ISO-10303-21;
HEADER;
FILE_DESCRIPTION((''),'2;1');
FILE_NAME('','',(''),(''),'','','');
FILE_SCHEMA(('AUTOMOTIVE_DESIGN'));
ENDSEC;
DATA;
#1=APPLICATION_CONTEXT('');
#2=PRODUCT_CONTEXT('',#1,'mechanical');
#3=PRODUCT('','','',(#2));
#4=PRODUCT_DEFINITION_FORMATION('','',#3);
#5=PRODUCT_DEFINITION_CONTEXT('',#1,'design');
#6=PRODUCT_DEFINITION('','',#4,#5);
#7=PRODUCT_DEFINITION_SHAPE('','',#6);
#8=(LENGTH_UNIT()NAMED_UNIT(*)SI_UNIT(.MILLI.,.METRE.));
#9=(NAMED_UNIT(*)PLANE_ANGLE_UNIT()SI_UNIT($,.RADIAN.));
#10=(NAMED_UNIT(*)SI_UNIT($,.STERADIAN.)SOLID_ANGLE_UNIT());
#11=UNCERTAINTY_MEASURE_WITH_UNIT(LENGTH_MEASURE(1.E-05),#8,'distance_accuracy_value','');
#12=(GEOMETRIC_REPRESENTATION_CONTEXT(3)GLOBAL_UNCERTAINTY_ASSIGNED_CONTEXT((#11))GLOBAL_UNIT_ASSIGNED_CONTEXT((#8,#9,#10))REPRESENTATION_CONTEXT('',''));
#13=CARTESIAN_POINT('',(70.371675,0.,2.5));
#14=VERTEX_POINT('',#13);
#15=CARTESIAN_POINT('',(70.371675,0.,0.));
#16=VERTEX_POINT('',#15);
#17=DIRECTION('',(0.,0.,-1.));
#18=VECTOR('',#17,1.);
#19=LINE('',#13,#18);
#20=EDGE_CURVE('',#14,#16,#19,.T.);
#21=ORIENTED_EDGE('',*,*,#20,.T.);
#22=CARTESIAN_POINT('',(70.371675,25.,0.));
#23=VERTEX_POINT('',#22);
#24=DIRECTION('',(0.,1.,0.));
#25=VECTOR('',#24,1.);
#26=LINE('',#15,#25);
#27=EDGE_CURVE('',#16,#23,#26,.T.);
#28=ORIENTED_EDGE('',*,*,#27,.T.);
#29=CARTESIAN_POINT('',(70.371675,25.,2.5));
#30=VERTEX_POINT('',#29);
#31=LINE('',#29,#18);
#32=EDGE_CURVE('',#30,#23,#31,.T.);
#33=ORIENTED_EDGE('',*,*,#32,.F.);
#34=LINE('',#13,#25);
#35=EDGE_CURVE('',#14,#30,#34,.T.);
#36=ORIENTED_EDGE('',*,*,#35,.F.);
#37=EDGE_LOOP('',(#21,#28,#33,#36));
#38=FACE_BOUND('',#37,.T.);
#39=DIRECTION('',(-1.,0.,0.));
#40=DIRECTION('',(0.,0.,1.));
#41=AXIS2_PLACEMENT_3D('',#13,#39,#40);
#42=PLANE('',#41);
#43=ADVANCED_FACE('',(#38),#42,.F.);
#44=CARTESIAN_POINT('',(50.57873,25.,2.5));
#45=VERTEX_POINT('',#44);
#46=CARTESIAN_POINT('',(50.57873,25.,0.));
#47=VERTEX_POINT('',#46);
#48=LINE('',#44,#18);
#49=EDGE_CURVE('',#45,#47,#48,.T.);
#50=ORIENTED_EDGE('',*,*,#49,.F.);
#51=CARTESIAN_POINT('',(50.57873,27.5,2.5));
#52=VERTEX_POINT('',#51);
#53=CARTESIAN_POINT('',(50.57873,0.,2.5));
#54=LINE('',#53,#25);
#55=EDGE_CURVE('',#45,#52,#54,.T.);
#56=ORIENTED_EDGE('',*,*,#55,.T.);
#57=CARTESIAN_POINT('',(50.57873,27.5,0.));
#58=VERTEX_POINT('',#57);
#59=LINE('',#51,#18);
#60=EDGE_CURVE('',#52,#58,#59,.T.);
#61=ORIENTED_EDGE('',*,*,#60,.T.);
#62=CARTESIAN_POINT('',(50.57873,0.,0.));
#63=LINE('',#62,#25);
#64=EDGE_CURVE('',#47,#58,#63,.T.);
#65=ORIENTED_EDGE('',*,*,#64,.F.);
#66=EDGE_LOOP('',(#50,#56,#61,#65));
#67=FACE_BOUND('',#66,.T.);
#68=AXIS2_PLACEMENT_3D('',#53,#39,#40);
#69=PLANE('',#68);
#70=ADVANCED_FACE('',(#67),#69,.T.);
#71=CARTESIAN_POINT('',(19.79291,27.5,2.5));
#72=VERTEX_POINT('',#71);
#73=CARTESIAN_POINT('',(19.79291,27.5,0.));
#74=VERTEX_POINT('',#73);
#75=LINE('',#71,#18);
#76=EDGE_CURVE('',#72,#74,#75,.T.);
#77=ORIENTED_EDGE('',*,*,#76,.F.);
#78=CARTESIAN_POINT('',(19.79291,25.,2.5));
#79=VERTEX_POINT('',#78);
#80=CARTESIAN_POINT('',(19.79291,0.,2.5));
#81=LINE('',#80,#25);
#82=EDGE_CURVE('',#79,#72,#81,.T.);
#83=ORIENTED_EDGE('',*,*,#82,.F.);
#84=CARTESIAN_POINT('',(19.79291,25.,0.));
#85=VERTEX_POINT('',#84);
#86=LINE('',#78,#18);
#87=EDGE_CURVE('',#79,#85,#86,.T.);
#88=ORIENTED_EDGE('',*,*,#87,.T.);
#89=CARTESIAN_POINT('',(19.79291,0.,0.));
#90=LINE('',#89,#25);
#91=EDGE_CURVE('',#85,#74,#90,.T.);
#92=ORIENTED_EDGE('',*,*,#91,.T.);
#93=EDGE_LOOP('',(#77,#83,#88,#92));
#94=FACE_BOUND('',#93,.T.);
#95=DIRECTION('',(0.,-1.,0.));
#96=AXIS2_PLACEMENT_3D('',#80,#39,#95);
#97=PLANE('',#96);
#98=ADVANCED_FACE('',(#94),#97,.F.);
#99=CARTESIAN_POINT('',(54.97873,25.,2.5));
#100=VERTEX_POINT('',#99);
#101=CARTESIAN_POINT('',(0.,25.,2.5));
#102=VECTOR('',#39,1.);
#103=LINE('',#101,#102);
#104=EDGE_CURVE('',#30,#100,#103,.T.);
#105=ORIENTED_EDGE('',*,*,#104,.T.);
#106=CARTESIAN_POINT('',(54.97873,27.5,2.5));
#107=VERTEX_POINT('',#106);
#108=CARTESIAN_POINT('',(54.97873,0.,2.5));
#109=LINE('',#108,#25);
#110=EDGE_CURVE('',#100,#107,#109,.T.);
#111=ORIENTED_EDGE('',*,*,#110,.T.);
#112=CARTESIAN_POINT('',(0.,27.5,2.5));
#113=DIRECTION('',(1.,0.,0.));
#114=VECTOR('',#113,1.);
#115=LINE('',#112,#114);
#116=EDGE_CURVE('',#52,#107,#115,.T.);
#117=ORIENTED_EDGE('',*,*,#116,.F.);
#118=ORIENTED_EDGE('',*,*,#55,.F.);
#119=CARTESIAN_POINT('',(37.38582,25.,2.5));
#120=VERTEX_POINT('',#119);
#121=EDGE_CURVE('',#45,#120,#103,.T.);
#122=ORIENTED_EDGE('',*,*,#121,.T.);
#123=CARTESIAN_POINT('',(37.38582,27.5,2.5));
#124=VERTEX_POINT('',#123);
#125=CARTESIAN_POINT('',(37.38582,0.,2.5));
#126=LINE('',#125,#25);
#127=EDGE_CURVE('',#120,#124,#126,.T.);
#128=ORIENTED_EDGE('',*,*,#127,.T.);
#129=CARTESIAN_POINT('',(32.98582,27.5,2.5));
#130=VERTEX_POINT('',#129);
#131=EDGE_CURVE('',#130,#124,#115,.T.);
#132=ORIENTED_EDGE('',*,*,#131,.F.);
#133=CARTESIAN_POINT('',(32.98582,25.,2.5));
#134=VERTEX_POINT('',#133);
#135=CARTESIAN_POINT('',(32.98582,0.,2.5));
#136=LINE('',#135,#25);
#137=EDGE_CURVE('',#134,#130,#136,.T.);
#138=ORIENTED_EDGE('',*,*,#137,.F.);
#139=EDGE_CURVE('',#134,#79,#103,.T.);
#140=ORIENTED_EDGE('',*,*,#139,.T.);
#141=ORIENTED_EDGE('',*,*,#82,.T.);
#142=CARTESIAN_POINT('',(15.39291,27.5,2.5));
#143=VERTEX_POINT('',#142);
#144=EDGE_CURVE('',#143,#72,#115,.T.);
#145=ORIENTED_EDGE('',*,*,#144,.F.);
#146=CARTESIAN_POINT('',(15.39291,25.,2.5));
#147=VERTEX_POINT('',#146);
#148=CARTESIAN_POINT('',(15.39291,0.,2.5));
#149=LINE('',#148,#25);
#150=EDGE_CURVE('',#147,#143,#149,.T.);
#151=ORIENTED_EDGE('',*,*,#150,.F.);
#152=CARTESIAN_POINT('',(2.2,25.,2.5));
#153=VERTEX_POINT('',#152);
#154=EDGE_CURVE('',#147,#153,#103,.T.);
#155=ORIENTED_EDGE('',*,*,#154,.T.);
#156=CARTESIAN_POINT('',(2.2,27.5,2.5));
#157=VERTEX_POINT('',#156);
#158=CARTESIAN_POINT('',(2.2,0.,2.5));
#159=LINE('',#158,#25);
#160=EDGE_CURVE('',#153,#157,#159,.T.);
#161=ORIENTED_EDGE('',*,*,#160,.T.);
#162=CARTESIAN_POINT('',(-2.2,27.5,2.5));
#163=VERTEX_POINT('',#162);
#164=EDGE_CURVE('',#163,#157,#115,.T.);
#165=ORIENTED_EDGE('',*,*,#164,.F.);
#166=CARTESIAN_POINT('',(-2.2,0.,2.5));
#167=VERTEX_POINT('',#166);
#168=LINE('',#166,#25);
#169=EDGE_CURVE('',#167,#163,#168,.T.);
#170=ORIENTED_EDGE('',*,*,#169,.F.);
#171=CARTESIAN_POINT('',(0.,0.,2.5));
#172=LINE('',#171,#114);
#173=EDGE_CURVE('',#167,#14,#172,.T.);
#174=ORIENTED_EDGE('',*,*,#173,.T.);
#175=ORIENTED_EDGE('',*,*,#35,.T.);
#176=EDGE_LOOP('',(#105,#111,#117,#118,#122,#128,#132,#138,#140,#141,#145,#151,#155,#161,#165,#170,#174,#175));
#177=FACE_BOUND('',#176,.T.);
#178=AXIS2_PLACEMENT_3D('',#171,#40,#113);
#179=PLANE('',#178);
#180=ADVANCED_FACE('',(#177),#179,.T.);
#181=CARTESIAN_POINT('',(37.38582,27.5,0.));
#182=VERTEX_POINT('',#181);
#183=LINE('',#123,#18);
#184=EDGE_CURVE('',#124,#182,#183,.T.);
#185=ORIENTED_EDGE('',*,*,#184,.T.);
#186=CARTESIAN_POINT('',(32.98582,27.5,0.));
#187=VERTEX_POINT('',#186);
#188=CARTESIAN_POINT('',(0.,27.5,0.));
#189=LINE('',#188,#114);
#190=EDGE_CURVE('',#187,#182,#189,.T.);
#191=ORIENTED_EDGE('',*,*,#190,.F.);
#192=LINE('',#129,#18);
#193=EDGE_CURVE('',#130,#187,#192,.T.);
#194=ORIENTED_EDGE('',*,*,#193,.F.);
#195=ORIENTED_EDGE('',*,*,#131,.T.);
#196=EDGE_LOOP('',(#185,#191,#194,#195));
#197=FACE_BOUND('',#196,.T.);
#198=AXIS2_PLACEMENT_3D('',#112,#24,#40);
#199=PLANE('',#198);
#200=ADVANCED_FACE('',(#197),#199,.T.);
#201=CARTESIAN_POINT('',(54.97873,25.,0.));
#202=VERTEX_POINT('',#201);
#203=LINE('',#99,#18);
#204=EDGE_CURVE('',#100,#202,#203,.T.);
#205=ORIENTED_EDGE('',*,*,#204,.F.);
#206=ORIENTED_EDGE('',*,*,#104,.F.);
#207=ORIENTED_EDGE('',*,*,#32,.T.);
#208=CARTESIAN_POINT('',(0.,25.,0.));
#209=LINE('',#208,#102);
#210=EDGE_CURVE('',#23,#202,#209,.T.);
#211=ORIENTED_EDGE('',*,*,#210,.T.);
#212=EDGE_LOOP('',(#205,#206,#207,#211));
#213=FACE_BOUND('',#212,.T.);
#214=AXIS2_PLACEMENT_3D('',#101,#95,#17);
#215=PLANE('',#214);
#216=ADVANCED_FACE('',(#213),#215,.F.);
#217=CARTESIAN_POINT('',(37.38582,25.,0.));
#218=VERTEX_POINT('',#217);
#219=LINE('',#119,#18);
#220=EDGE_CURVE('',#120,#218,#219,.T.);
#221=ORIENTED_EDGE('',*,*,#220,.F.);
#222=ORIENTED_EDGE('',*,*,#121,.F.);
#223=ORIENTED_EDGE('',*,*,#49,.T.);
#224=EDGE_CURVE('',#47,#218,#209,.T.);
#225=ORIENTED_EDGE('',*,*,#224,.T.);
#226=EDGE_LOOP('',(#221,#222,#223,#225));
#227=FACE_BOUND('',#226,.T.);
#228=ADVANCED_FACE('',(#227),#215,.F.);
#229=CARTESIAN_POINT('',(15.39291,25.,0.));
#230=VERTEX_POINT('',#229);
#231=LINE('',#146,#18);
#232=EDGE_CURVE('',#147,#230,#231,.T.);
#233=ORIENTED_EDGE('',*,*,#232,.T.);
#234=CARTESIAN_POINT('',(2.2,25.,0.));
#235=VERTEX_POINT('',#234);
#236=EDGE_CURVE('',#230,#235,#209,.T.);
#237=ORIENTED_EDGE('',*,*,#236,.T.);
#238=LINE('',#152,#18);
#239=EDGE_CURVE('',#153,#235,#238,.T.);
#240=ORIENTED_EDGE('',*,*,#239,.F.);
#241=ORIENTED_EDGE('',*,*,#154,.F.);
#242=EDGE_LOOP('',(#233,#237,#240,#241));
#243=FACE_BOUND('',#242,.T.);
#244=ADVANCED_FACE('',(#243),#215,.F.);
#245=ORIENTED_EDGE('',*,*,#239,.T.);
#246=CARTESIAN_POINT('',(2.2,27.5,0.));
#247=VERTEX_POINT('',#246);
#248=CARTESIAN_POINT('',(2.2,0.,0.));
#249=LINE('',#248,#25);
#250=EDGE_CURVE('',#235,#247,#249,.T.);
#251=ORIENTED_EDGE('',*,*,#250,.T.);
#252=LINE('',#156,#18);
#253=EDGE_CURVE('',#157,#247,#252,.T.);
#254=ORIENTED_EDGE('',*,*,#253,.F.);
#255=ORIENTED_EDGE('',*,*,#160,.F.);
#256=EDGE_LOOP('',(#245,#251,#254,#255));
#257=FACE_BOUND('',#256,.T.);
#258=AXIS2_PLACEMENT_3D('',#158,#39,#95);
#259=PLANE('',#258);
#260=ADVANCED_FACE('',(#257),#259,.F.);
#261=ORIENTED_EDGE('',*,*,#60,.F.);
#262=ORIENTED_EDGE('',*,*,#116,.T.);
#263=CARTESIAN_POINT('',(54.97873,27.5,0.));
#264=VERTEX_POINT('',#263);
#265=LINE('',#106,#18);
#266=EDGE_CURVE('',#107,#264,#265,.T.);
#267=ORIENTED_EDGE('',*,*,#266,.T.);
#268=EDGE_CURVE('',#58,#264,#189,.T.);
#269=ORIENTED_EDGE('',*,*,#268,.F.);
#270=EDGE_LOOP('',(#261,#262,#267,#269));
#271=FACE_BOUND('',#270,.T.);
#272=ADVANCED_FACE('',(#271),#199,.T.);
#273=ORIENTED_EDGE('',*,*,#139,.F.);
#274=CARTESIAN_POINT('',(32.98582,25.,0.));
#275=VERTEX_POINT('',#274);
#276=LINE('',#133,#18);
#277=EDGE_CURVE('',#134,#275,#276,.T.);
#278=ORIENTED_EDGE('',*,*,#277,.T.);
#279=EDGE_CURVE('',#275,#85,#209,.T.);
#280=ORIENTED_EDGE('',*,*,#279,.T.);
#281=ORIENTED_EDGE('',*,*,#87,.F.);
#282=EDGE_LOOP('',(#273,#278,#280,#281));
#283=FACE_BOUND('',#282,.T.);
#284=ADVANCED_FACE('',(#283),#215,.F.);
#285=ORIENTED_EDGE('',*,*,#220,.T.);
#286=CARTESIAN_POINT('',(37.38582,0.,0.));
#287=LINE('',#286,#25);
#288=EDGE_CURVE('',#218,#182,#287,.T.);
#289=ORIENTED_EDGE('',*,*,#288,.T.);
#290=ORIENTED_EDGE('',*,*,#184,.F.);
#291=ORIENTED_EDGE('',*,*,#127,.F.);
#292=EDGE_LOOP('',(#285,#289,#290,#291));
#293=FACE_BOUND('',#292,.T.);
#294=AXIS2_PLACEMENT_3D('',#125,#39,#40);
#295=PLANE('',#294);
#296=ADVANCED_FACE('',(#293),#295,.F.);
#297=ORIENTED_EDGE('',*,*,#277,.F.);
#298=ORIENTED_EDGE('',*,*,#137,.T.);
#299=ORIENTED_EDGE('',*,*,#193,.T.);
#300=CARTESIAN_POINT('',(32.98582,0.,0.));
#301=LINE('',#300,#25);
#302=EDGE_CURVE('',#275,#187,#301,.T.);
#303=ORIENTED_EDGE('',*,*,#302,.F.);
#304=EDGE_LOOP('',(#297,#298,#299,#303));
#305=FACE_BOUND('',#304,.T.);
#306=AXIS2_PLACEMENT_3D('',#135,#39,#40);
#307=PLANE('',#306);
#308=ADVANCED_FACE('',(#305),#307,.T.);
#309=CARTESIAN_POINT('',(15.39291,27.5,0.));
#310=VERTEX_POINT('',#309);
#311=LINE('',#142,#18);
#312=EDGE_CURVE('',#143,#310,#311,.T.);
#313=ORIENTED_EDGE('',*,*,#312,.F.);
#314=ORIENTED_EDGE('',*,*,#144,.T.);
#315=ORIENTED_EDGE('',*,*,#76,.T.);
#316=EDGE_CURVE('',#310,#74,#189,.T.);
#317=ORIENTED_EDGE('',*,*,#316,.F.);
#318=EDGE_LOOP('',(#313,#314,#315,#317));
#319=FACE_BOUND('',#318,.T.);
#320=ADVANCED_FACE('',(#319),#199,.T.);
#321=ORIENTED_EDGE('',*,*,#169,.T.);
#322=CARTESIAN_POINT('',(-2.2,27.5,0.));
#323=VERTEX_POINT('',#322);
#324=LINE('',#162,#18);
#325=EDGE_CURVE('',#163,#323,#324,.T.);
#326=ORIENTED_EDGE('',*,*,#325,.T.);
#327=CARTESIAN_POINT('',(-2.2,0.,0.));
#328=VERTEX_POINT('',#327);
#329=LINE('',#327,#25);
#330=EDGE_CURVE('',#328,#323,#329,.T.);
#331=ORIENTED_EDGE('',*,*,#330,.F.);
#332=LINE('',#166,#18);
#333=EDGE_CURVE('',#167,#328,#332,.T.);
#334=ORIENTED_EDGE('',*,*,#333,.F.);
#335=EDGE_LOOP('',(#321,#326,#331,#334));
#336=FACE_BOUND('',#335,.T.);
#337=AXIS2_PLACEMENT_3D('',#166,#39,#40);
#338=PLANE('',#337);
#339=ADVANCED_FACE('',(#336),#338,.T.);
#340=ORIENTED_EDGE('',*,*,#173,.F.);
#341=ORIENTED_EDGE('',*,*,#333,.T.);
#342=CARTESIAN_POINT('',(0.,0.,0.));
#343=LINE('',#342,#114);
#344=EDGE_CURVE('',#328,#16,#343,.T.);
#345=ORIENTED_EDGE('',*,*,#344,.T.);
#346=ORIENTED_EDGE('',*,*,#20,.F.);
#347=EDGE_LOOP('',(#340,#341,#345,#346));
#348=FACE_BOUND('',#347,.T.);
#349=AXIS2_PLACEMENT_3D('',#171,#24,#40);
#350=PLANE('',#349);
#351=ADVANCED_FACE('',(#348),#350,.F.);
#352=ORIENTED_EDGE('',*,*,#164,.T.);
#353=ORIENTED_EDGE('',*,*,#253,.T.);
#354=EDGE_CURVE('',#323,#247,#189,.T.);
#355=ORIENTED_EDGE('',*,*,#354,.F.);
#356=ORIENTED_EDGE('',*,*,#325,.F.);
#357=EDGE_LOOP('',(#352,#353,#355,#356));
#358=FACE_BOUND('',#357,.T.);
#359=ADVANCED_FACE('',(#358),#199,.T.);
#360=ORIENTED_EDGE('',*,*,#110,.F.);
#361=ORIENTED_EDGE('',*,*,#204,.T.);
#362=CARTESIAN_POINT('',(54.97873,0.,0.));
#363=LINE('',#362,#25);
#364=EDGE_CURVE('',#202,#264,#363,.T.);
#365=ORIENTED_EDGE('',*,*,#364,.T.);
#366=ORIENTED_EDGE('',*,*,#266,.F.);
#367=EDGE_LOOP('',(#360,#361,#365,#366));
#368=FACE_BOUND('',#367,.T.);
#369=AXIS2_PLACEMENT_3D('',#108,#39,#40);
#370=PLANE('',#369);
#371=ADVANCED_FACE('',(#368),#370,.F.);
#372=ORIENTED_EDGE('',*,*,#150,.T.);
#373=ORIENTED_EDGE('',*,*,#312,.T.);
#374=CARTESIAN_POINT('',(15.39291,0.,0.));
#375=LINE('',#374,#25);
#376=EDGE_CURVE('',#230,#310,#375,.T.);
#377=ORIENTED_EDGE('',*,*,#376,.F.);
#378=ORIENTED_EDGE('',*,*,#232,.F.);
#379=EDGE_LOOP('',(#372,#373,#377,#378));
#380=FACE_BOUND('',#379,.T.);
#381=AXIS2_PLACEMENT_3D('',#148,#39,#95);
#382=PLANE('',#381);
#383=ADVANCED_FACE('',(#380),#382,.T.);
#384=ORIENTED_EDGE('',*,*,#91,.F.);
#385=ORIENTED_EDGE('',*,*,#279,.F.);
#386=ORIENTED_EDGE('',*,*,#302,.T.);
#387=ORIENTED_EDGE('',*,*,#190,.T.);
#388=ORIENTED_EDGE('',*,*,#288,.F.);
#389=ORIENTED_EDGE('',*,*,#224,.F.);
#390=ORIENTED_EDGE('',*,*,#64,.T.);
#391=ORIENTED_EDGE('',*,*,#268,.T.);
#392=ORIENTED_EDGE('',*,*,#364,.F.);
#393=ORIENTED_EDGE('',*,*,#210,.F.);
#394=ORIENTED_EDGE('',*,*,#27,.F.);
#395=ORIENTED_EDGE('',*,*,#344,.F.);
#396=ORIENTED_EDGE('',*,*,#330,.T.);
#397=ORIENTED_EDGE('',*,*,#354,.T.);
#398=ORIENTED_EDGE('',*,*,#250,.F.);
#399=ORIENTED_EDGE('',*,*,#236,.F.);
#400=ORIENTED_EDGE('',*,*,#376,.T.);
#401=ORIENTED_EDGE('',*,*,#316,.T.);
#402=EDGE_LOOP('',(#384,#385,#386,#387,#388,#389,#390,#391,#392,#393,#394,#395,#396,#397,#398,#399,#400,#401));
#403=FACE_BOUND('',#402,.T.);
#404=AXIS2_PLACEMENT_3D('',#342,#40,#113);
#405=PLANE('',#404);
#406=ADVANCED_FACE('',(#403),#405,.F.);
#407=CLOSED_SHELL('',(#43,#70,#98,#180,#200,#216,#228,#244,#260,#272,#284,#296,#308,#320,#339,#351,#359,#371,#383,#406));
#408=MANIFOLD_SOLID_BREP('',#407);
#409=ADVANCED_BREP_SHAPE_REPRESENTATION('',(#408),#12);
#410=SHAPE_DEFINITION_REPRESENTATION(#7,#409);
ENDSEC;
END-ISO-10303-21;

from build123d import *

# Parameters (mm, degrees)
BOSS_EXTRUDE1_DEPTH = 2.5


with BuildPart() as part:
    # Sketch1 → Boss-Extrude1 (new body)
    with BuildSketch(Plane.XY):
        Polygon((-2.2, 27.5), (-2.2, 0), (0, 0), (2.2, 0), (15.39291, 0), (19.79291, 0), (32.98582, 0), (37.38582, 0), (50.57873, 0), (54.97873, 0), (70.37167544, 0), (70.37167544, 25), (54.97873, 25), (54.97873, 27.5), (50.57873, 27.5), (50.57873, 25), (37.38582, 25), (37.38582, 27.5), (32.98582, 27.5), (32.98582, 25), (19.79291, 25), (19.79291, 27.5), (15.39291, 27.5), (15.39291, 25), (2.2, 25), (2.2, 27.5), align=None)
    extrude(amount=BOSS_EXTRUDE1_DEPTH)


solid = part.part
